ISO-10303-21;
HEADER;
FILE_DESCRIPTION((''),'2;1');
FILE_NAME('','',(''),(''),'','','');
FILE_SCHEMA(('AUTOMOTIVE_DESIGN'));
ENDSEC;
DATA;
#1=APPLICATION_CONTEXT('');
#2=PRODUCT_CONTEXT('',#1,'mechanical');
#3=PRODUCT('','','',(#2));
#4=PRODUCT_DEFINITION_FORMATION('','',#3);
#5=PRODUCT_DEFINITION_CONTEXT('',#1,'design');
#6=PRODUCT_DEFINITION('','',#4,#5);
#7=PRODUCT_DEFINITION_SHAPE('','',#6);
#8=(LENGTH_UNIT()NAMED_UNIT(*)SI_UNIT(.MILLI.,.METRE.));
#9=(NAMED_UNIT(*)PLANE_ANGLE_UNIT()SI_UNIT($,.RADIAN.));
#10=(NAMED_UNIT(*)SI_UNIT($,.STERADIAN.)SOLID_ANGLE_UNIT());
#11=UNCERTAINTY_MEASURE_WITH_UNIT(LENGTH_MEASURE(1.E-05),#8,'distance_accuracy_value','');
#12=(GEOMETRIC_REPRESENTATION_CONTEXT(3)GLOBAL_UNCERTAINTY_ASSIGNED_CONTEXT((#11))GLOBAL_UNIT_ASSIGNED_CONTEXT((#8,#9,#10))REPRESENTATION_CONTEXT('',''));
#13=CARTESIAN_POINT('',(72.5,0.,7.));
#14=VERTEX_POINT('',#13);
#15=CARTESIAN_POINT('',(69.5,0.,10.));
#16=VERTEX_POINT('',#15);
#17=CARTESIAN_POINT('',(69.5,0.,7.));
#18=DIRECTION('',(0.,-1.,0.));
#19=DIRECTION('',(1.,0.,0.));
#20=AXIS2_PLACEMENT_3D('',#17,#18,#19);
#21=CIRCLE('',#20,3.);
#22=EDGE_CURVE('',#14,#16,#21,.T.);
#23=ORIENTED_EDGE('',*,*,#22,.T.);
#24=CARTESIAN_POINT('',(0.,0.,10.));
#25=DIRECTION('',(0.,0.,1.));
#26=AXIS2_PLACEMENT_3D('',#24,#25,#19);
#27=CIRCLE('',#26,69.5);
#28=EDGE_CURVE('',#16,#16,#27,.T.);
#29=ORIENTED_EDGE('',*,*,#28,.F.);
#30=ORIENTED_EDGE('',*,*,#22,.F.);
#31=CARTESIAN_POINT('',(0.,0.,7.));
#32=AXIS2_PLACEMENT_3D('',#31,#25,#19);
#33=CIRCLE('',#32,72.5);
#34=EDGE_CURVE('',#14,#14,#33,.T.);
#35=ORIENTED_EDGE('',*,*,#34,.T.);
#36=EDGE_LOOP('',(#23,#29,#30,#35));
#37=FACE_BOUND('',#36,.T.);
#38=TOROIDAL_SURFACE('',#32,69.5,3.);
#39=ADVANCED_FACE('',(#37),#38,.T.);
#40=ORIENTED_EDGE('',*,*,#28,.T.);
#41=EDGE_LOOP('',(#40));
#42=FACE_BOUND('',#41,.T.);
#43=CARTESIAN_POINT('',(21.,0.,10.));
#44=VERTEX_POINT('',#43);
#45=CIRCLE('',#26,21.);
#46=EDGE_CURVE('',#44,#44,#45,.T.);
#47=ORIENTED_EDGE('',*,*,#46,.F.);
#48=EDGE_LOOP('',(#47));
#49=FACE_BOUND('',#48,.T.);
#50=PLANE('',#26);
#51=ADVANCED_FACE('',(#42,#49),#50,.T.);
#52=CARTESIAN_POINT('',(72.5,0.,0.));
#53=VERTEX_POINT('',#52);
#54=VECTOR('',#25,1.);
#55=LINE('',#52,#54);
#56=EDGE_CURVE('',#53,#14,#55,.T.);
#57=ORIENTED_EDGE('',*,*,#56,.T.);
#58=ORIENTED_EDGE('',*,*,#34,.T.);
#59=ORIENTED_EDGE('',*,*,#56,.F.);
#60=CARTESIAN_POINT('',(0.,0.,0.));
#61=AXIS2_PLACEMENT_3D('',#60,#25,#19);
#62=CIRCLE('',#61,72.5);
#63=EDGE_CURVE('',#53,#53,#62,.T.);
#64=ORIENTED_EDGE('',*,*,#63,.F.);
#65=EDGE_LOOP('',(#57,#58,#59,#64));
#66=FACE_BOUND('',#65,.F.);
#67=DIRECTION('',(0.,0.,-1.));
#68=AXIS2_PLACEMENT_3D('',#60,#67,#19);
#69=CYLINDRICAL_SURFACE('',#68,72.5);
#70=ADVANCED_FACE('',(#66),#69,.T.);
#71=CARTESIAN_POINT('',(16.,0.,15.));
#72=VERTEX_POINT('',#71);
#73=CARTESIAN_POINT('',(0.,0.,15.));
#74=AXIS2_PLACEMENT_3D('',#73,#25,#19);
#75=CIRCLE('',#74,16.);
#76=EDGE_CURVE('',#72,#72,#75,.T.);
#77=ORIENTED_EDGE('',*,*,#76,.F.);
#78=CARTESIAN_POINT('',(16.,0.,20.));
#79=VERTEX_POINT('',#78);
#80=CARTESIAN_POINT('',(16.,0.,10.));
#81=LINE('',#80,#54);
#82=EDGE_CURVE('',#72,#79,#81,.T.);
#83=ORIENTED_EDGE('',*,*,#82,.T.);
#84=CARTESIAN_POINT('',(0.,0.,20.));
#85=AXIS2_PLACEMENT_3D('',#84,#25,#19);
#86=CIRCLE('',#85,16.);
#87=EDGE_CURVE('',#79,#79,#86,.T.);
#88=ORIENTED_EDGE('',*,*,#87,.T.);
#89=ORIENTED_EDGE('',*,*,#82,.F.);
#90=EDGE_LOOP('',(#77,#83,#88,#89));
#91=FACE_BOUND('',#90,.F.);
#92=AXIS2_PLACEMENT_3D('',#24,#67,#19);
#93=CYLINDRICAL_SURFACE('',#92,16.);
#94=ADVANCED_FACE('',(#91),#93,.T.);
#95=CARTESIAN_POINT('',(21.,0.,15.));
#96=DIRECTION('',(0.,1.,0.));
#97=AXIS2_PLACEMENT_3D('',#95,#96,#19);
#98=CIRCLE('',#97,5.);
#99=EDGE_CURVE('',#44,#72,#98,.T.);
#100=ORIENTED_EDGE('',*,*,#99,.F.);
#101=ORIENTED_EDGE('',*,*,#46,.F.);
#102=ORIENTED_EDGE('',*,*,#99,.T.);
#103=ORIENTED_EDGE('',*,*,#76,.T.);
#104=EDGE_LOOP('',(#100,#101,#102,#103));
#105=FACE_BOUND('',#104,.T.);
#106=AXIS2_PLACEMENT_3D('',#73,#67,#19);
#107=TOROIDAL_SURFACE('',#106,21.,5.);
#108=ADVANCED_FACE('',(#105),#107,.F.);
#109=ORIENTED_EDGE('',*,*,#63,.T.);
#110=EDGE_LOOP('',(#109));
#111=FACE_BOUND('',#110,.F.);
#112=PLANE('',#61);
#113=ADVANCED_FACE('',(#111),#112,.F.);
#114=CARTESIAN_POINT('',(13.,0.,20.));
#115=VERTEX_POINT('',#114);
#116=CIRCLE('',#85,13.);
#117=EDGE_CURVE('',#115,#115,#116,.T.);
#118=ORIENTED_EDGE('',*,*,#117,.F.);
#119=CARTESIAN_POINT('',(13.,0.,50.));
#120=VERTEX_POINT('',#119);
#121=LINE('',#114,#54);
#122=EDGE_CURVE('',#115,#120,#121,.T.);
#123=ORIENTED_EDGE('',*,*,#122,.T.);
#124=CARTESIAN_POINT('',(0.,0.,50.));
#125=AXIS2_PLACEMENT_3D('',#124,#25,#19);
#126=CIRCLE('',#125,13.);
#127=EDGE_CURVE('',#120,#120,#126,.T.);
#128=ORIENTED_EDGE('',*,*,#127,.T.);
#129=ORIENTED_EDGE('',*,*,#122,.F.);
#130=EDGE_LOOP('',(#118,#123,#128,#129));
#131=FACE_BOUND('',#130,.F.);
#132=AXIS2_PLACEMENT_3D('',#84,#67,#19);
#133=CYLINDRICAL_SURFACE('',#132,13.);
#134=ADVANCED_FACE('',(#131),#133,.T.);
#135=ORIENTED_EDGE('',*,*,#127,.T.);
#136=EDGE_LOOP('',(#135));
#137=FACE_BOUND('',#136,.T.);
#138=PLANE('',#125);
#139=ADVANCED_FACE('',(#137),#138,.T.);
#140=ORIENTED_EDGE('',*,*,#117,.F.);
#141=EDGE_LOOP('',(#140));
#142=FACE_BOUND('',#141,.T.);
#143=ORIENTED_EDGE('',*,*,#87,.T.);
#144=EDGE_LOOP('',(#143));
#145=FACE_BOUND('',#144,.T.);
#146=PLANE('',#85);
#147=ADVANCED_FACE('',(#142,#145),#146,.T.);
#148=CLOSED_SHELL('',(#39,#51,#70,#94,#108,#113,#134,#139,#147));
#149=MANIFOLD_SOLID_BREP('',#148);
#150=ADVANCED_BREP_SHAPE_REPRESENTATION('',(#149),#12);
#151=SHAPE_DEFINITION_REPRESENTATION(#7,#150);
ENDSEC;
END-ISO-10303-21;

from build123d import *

# Parameters (mm, degrees)
F0_R     = 72.5
F1_DEPTH = 10
F2_R     = 16
F3_DEPTH = 10
F4_R     = 13
F5_DEPTH = 30
F6_R     = 3
F7_R     = 5


with BuildPart() as f1:
    # F0 (on Top) → F1 (new body)
    with BuildSketch(Plane.XY):
        Circle(F0_R)
    extrude(amount=F1_DEPTH)

    # F2 (on face) → F3 (join)
    with BuildSketch(Plane.XY.offset(10)):
        Circle(F2_R)
    extrude(amount=F3_DEPTH)

    # F4 (on face) → F5 (join)
    with BuildSketch(Plane.XY.offset(20)):
        Circle(F4_R)
    extrude(amount=F5_DEPTH)

    # F6
    f6_edges = [f1.edges().sort_by_distance(p)[0] for p in [
        (-72.5, 0, 10),
    ]]
    fillet(f6_edges, radius=F6_R)

    # F7
    f7_edges = [f1.edges().sort_by_distance(p)[0] for p in [
        (-72.5, 0, 7),
        (-69.5, 0, 10),
        (-16, 0, 10),
    ]]
    fillet(f7_edges, radius=F7_R)


solid = f1.part
